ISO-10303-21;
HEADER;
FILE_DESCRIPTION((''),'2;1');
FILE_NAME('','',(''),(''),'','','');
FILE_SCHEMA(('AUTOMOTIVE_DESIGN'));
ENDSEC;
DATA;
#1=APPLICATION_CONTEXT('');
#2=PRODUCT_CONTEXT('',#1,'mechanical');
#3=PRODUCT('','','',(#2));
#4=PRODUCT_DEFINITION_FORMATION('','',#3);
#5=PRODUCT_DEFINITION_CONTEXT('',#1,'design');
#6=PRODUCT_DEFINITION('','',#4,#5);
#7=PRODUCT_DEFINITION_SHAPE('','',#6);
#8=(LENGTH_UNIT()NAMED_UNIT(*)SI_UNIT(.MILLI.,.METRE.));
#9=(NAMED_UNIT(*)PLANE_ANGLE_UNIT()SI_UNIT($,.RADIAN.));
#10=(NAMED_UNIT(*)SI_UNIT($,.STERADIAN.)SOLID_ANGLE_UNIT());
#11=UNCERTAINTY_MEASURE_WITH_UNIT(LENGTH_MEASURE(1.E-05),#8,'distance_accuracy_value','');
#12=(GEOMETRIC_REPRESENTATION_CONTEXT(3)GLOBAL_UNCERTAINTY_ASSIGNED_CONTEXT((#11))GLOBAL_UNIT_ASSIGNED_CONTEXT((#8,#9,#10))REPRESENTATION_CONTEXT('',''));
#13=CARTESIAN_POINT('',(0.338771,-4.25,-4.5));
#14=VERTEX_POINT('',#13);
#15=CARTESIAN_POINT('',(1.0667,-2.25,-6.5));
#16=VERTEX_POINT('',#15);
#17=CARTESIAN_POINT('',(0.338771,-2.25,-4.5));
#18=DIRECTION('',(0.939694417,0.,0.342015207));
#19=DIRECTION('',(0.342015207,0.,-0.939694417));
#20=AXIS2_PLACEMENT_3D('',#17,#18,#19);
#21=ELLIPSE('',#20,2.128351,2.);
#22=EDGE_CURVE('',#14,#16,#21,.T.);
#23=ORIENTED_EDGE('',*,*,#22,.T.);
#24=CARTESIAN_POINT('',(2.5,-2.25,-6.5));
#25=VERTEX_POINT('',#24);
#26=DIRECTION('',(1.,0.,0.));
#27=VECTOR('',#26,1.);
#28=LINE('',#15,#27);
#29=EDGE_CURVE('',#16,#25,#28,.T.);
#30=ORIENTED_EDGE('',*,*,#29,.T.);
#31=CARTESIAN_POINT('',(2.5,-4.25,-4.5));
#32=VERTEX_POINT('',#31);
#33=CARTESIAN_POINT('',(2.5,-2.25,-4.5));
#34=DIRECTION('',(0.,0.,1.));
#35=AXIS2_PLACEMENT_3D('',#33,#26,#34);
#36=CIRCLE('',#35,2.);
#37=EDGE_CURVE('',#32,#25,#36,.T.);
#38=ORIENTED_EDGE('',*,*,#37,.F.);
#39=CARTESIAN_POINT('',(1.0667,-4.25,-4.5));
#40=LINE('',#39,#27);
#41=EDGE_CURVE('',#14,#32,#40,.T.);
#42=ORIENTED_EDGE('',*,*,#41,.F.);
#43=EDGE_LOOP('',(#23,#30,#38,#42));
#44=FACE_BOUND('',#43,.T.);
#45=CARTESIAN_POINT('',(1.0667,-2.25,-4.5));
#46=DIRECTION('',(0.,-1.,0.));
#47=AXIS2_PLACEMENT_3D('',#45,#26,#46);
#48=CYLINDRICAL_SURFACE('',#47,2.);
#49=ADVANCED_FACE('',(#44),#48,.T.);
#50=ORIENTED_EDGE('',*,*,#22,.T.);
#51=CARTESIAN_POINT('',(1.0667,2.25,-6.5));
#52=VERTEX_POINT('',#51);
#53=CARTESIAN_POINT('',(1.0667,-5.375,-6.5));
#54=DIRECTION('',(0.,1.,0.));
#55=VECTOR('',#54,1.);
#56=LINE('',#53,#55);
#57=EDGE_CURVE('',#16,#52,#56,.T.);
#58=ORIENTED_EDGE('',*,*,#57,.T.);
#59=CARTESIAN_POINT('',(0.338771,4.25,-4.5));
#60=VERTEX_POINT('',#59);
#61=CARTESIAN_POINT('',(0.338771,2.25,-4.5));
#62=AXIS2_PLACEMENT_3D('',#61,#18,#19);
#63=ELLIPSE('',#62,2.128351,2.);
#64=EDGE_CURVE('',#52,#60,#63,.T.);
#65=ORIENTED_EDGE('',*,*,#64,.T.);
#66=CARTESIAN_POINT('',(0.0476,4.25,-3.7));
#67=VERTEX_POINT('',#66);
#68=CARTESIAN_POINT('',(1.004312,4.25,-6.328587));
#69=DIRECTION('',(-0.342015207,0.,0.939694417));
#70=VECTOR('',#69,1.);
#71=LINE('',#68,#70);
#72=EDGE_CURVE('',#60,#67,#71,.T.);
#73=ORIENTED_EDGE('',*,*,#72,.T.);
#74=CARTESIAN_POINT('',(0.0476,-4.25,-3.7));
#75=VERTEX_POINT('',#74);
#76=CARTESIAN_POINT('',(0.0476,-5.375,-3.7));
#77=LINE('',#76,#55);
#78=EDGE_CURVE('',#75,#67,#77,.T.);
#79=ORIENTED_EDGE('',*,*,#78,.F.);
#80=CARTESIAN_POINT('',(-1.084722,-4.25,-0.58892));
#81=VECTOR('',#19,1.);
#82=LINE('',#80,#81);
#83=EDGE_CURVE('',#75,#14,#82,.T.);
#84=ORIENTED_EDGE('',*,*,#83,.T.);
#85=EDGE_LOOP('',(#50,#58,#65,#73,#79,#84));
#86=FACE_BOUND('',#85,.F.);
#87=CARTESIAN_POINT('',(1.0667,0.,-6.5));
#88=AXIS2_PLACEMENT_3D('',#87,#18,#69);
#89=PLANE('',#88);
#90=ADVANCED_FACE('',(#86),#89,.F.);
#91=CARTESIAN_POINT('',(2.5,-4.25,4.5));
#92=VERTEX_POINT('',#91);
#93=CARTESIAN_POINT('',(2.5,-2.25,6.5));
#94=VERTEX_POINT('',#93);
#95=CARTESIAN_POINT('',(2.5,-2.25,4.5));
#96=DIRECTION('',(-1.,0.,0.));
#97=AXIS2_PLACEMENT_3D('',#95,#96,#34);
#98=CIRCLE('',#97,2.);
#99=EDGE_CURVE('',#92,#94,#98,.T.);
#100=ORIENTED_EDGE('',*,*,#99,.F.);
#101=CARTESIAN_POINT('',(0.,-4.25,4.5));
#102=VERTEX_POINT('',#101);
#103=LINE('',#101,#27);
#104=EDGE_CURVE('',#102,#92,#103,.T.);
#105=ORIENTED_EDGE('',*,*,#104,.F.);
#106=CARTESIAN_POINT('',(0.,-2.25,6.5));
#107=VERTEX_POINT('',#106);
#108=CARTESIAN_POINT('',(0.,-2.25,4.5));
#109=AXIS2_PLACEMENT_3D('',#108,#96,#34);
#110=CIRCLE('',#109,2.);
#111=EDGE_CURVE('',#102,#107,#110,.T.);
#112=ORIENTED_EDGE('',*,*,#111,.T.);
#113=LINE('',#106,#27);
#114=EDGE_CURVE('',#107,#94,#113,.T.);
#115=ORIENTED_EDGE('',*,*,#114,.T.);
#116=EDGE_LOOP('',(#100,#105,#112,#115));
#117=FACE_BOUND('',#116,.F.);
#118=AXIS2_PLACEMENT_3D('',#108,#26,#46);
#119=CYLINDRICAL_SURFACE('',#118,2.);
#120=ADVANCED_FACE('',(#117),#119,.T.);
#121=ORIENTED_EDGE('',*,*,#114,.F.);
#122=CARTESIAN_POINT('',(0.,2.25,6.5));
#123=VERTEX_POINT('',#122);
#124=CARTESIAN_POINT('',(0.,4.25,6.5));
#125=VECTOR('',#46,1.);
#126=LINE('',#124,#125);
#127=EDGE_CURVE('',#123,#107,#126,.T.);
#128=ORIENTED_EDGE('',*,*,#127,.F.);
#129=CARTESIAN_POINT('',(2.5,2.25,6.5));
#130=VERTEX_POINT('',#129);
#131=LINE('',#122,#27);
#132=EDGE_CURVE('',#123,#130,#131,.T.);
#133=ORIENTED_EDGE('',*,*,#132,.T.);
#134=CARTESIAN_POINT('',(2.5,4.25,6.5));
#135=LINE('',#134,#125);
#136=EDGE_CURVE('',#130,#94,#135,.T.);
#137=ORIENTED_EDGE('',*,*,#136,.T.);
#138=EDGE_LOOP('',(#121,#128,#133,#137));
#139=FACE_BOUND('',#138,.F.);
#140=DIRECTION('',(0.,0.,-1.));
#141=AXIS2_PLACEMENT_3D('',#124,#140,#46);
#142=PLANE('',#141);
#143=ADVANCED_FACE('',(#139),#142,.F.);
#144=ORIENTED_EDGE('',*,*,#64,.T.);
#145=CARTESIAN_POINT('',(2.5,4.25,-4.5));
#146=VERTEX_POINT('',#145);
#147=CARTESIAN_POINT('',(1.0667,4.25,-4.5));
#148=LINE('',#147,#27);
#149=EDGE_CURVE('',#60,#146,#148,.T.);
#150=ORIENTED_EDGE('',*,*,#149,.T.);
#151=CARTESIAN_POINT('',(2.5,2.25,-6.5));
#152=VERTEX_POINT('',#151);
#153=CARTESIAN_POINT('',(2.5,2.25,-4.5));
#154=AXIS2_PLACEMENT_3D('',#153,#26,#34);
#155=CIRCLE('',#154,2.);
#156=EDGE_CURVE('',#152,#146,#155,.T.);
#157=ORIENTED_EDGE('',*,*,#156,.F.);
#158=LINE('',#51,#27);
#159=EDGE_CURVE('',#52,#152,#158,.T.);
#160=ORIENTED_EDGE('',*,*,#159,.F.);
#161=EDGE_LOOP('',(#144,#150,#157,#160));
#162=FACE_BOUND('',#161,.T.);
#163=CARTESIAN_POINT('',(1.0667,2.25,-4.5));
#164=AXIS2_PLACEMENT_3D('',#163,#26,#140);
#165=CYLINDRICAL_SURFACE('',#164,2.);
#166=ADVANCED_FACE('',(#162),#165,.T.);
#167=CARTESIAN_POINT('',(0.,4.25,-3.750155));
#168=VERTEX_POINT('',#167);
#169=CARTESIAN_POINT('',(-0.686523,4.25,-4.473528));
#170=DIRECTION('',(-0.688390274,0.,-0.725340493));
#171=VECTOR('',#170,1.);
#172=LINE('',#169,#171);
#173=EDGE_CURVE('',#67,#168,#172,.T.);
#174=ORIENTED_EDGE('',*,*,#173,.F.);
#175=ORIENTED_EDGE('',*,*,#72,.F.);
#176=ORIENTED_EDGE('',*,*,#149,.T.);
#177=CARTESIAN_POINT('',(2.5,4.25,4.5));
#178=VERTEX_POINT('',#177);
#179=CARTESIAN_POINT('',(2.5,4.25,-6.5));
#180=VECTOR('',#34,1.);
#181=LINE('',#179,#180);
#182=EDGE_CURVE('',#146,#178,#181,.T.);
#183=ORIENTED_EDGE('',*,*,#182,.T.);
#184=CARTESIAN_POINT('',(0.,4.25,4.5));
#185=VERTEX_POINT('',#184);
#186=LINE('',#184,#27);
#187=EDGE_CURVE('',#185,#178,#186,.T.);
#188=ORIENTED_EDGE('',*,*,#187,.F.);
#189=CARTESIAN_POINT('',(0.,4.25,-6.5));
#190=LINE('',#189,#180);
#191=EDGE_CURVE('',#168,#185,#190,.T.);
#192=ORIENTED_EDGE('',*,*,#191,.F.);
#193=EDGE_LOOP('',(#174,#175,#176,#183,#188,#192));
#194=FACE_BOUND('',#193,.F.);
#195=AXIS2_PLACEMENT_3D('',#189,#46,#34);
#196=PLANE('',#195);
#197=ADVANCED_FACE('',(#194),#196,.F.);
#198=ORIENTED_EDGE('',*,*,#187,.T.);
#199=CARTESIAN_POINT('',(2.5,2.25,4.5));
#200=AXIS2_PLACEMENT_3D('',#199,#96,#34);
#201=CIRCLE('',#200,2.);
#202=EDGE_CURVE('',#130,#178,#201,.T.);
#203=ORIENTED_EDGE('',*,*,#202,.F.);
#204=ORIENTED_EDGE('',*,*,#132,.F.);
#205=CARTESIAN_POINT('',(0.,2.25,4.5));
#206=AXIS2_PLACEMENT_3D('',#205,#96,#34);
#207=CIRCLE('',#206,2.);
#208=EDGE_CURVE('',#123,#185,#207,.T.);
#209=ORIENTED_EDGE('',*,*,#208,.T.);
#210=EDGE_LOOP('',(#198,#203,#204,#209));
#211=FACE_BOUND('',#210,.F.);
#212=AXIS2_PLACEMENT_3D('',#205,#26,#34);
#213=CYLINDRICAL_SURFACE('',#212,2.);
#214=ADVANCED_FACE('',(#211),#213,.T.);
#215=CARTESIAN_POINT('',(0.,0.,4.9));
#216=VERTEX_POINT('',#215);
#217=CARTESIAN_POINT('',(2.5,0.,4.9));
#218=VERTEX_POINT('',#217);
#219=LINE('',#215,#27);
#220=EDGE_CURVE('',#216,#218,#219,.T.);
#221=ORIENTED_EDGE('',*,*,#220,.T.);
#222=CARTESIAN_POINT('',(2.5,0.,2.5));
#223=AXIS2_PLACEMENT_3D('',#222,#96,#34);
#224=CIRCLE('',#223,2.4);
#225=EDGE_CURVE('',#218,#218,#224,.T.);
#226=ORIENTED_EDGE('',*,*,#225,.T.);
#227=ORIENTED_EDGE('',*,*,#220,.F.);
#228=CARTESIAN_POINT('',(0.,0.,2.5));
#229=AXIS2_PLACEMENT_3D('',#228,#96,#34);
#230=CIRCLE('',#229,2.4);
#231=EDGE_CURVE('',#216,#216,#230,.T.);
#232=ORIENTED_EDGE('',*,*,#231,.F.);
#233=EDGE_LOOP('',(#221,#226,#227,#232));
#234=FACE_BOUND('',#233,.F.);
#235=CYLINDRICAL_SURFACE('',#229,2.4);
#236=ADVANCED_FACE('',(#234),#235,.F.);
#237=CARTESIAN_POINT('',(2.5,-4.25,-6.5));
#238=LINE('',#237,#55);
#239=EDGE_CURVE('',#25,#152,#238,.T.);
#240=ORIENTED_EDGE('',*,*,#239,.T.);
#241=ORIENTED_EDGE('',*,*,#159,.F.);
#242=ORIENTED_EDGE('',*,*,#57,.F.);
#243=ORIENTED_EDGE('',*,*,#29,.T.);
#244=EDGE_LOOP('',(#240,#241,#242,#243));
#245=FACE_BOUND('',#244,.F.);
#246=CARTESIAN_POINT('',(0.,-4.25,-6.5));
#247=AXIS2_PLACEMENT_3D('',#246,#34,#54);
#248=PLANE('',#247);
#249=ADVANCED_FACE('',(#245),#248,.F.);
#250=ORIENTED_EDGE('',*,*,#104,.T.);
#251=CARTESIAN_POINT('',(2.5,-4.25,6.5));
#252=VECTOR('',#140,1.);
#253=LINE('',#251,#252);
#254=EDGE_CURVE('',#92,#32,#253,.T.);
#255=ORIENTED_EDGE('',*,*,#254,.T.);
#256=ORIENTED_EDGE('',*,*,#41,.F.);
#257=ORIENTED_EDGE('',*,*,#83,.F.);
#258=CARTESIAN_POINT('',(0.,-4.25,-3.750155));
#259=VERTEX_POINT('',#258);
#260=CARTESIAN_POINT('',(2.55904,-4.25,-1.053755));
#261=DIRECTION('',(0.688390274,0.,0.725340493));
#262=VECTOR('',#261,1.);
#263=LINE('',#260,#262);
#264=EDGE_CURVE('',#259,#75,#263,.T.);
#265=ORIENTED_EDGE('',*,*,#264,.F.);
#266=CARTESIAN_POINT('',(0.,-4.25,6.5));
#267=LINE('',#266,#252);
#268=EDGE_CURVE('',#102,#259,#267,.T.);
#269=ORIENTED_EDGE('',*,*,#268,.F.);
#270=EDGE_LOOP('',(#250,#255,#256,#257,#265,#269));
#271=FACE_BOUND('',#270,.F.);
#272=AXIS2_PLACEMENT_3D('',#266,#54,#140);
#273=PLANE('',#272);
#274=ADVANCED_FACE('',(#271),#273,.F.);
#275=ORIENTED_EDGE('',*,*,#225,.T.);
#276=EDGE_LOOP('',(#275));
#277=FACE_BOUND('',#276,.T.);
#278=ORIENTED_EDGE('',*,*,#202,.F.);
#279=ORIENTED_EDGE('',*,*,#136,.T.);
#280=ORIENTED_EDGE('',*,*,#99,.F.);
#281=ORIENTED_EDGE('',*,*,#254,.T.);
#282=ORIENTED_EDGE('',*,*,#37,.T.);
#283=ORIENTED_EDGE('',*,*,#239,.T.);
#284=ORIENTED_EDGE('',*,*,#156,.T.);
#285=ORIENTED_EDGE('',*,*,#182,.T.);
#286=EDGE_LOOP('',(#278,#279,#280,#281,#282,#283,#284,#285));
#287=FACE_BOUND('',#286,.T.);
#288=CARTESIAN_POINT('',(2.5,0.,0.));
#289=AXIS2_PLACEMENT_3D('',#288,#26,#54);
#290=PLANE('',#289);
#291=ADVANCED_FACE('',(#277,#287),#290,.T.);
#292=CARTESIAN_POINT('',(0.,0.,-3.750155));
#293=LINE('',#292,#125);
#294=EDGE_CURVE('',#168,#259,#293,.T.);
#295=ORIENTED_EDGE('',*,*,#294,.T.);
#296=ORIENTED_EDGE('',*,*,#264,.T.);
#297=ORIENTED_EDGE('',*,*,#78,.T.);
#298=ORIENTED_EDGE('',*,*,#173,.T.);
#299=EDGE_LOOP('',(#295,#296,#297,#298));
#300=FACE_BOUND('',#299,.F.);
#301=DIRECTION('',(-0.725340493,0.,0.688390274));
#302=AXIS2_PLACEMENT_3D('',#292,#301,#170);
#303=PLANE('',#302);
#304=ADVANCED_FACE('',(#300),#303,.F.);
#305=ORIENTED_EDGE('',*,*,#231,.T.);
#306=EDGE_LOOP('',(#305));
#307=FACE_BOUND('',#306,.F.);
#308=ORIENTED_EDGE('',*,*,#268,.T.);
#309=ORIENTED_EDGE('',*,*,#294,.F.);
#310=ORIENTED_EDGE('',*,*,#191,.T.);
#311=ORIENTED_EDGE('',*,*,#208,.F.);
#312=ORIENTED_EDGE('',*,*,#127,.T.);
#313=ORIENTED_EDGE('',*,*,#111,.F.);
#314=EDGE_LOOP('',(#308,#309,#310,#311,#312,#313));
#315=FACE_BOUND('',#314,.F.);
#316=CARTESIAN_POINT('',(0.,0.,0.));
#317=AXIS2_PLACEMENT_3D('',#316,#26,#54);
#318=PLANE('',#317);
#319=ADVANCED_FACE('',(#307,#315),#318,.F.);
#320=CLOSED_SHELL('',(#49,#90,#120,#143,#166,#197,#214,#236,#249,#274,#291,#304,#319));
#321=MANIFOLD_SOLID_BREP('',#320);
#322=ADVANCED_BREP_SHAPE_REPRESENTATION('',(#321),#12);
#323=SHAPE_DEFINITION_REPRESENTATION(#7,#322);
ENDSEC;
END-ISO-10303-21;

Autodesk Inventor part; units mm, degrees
ref_plane "YZ Plane" through (0, 0, 0) normal (1, 0, 0) x (0, 1, 0)
ref_plane "XZ Plane" through (0, 0, 0) normal (0, 1, 0) x (-1, 0, 0)
ref_plane "XY Plane" through (0, 0, 0) normal (0, 0, 1) x (1, 0, 0)
sketch "Skizze1" plane through (0, 0, 0) normal (1, 0, 0) x (0, 1, 0)
  line L0 (-4.25, -6.5) -> (4.25, -6.5)
  line L1 (4.25, -6.5) -> (4.25, 6.5)
  line L2 (4.25, 6.5) -> (-4.25, 6.5)
  line L3 (-4.25, 6.5) -> (-4.25, -6.5)
  line L4 (-4.25, -6.5) -> (4.25, 6.5) construction
  line L5 (4.25, -6.5) -> (-4.25, 6.5) construction
  point P0 (0, 0)
  dimension "d0" = 8.5
  dimension "d1" = 13
extrude "Extrusion1" add sketch "Skizze1" along normal blind 2.5
sketch "Skizze3" plane through (0, 0, 0) normal (0, 1, 0) x (-1, 0, 0)
  line L0 (-1.0667, -6.5) -> (-0.0476, -3.7)
  line L1 (-0.0476, -3.7) -> (3.1717, -7.0921)
  line L2 (3.1717, -7.0921) -> (1.0847, -12.4156)
  line L3 (1.0847, -12.4156) -> (-1.0667, -6.5)
  line L4 (0, -6.5) -> (-2.5, -6.5) projected
  line L5 (0, -6.5) -> (0, 6.5) projected
  point P0 (0, 0)
  dimension "d11" = 2.8
  dimension "d12" = 20
extrude "Extrusion3" cut sketch "Skizze3" along normal mid plane 10.75
fillet "Rundung1" radius 2 4 edges at (1.25, 4.25, 6.5) (1.25, -4.25, 6.5) (1.7834, 4.25, -6.5) (1.7834, -4.25, -6.5)
sketch "Skizze2" plane through (0, 0, 0) normal (-1, 0, 0) x (0, 0, 1)
  circle A0 centre (2.5, 0) radius 2.4
  line L0 (6.5, 2.25) -> (6.5, -2.25) projected
  point P0 (0, 0)
  dimension "d6" = 4.8
  dimension "d13" = 4
extrude "Extrusion2" cut sketch "Skizze2" against normal blind 10.75
properties part number "P_PIN"
